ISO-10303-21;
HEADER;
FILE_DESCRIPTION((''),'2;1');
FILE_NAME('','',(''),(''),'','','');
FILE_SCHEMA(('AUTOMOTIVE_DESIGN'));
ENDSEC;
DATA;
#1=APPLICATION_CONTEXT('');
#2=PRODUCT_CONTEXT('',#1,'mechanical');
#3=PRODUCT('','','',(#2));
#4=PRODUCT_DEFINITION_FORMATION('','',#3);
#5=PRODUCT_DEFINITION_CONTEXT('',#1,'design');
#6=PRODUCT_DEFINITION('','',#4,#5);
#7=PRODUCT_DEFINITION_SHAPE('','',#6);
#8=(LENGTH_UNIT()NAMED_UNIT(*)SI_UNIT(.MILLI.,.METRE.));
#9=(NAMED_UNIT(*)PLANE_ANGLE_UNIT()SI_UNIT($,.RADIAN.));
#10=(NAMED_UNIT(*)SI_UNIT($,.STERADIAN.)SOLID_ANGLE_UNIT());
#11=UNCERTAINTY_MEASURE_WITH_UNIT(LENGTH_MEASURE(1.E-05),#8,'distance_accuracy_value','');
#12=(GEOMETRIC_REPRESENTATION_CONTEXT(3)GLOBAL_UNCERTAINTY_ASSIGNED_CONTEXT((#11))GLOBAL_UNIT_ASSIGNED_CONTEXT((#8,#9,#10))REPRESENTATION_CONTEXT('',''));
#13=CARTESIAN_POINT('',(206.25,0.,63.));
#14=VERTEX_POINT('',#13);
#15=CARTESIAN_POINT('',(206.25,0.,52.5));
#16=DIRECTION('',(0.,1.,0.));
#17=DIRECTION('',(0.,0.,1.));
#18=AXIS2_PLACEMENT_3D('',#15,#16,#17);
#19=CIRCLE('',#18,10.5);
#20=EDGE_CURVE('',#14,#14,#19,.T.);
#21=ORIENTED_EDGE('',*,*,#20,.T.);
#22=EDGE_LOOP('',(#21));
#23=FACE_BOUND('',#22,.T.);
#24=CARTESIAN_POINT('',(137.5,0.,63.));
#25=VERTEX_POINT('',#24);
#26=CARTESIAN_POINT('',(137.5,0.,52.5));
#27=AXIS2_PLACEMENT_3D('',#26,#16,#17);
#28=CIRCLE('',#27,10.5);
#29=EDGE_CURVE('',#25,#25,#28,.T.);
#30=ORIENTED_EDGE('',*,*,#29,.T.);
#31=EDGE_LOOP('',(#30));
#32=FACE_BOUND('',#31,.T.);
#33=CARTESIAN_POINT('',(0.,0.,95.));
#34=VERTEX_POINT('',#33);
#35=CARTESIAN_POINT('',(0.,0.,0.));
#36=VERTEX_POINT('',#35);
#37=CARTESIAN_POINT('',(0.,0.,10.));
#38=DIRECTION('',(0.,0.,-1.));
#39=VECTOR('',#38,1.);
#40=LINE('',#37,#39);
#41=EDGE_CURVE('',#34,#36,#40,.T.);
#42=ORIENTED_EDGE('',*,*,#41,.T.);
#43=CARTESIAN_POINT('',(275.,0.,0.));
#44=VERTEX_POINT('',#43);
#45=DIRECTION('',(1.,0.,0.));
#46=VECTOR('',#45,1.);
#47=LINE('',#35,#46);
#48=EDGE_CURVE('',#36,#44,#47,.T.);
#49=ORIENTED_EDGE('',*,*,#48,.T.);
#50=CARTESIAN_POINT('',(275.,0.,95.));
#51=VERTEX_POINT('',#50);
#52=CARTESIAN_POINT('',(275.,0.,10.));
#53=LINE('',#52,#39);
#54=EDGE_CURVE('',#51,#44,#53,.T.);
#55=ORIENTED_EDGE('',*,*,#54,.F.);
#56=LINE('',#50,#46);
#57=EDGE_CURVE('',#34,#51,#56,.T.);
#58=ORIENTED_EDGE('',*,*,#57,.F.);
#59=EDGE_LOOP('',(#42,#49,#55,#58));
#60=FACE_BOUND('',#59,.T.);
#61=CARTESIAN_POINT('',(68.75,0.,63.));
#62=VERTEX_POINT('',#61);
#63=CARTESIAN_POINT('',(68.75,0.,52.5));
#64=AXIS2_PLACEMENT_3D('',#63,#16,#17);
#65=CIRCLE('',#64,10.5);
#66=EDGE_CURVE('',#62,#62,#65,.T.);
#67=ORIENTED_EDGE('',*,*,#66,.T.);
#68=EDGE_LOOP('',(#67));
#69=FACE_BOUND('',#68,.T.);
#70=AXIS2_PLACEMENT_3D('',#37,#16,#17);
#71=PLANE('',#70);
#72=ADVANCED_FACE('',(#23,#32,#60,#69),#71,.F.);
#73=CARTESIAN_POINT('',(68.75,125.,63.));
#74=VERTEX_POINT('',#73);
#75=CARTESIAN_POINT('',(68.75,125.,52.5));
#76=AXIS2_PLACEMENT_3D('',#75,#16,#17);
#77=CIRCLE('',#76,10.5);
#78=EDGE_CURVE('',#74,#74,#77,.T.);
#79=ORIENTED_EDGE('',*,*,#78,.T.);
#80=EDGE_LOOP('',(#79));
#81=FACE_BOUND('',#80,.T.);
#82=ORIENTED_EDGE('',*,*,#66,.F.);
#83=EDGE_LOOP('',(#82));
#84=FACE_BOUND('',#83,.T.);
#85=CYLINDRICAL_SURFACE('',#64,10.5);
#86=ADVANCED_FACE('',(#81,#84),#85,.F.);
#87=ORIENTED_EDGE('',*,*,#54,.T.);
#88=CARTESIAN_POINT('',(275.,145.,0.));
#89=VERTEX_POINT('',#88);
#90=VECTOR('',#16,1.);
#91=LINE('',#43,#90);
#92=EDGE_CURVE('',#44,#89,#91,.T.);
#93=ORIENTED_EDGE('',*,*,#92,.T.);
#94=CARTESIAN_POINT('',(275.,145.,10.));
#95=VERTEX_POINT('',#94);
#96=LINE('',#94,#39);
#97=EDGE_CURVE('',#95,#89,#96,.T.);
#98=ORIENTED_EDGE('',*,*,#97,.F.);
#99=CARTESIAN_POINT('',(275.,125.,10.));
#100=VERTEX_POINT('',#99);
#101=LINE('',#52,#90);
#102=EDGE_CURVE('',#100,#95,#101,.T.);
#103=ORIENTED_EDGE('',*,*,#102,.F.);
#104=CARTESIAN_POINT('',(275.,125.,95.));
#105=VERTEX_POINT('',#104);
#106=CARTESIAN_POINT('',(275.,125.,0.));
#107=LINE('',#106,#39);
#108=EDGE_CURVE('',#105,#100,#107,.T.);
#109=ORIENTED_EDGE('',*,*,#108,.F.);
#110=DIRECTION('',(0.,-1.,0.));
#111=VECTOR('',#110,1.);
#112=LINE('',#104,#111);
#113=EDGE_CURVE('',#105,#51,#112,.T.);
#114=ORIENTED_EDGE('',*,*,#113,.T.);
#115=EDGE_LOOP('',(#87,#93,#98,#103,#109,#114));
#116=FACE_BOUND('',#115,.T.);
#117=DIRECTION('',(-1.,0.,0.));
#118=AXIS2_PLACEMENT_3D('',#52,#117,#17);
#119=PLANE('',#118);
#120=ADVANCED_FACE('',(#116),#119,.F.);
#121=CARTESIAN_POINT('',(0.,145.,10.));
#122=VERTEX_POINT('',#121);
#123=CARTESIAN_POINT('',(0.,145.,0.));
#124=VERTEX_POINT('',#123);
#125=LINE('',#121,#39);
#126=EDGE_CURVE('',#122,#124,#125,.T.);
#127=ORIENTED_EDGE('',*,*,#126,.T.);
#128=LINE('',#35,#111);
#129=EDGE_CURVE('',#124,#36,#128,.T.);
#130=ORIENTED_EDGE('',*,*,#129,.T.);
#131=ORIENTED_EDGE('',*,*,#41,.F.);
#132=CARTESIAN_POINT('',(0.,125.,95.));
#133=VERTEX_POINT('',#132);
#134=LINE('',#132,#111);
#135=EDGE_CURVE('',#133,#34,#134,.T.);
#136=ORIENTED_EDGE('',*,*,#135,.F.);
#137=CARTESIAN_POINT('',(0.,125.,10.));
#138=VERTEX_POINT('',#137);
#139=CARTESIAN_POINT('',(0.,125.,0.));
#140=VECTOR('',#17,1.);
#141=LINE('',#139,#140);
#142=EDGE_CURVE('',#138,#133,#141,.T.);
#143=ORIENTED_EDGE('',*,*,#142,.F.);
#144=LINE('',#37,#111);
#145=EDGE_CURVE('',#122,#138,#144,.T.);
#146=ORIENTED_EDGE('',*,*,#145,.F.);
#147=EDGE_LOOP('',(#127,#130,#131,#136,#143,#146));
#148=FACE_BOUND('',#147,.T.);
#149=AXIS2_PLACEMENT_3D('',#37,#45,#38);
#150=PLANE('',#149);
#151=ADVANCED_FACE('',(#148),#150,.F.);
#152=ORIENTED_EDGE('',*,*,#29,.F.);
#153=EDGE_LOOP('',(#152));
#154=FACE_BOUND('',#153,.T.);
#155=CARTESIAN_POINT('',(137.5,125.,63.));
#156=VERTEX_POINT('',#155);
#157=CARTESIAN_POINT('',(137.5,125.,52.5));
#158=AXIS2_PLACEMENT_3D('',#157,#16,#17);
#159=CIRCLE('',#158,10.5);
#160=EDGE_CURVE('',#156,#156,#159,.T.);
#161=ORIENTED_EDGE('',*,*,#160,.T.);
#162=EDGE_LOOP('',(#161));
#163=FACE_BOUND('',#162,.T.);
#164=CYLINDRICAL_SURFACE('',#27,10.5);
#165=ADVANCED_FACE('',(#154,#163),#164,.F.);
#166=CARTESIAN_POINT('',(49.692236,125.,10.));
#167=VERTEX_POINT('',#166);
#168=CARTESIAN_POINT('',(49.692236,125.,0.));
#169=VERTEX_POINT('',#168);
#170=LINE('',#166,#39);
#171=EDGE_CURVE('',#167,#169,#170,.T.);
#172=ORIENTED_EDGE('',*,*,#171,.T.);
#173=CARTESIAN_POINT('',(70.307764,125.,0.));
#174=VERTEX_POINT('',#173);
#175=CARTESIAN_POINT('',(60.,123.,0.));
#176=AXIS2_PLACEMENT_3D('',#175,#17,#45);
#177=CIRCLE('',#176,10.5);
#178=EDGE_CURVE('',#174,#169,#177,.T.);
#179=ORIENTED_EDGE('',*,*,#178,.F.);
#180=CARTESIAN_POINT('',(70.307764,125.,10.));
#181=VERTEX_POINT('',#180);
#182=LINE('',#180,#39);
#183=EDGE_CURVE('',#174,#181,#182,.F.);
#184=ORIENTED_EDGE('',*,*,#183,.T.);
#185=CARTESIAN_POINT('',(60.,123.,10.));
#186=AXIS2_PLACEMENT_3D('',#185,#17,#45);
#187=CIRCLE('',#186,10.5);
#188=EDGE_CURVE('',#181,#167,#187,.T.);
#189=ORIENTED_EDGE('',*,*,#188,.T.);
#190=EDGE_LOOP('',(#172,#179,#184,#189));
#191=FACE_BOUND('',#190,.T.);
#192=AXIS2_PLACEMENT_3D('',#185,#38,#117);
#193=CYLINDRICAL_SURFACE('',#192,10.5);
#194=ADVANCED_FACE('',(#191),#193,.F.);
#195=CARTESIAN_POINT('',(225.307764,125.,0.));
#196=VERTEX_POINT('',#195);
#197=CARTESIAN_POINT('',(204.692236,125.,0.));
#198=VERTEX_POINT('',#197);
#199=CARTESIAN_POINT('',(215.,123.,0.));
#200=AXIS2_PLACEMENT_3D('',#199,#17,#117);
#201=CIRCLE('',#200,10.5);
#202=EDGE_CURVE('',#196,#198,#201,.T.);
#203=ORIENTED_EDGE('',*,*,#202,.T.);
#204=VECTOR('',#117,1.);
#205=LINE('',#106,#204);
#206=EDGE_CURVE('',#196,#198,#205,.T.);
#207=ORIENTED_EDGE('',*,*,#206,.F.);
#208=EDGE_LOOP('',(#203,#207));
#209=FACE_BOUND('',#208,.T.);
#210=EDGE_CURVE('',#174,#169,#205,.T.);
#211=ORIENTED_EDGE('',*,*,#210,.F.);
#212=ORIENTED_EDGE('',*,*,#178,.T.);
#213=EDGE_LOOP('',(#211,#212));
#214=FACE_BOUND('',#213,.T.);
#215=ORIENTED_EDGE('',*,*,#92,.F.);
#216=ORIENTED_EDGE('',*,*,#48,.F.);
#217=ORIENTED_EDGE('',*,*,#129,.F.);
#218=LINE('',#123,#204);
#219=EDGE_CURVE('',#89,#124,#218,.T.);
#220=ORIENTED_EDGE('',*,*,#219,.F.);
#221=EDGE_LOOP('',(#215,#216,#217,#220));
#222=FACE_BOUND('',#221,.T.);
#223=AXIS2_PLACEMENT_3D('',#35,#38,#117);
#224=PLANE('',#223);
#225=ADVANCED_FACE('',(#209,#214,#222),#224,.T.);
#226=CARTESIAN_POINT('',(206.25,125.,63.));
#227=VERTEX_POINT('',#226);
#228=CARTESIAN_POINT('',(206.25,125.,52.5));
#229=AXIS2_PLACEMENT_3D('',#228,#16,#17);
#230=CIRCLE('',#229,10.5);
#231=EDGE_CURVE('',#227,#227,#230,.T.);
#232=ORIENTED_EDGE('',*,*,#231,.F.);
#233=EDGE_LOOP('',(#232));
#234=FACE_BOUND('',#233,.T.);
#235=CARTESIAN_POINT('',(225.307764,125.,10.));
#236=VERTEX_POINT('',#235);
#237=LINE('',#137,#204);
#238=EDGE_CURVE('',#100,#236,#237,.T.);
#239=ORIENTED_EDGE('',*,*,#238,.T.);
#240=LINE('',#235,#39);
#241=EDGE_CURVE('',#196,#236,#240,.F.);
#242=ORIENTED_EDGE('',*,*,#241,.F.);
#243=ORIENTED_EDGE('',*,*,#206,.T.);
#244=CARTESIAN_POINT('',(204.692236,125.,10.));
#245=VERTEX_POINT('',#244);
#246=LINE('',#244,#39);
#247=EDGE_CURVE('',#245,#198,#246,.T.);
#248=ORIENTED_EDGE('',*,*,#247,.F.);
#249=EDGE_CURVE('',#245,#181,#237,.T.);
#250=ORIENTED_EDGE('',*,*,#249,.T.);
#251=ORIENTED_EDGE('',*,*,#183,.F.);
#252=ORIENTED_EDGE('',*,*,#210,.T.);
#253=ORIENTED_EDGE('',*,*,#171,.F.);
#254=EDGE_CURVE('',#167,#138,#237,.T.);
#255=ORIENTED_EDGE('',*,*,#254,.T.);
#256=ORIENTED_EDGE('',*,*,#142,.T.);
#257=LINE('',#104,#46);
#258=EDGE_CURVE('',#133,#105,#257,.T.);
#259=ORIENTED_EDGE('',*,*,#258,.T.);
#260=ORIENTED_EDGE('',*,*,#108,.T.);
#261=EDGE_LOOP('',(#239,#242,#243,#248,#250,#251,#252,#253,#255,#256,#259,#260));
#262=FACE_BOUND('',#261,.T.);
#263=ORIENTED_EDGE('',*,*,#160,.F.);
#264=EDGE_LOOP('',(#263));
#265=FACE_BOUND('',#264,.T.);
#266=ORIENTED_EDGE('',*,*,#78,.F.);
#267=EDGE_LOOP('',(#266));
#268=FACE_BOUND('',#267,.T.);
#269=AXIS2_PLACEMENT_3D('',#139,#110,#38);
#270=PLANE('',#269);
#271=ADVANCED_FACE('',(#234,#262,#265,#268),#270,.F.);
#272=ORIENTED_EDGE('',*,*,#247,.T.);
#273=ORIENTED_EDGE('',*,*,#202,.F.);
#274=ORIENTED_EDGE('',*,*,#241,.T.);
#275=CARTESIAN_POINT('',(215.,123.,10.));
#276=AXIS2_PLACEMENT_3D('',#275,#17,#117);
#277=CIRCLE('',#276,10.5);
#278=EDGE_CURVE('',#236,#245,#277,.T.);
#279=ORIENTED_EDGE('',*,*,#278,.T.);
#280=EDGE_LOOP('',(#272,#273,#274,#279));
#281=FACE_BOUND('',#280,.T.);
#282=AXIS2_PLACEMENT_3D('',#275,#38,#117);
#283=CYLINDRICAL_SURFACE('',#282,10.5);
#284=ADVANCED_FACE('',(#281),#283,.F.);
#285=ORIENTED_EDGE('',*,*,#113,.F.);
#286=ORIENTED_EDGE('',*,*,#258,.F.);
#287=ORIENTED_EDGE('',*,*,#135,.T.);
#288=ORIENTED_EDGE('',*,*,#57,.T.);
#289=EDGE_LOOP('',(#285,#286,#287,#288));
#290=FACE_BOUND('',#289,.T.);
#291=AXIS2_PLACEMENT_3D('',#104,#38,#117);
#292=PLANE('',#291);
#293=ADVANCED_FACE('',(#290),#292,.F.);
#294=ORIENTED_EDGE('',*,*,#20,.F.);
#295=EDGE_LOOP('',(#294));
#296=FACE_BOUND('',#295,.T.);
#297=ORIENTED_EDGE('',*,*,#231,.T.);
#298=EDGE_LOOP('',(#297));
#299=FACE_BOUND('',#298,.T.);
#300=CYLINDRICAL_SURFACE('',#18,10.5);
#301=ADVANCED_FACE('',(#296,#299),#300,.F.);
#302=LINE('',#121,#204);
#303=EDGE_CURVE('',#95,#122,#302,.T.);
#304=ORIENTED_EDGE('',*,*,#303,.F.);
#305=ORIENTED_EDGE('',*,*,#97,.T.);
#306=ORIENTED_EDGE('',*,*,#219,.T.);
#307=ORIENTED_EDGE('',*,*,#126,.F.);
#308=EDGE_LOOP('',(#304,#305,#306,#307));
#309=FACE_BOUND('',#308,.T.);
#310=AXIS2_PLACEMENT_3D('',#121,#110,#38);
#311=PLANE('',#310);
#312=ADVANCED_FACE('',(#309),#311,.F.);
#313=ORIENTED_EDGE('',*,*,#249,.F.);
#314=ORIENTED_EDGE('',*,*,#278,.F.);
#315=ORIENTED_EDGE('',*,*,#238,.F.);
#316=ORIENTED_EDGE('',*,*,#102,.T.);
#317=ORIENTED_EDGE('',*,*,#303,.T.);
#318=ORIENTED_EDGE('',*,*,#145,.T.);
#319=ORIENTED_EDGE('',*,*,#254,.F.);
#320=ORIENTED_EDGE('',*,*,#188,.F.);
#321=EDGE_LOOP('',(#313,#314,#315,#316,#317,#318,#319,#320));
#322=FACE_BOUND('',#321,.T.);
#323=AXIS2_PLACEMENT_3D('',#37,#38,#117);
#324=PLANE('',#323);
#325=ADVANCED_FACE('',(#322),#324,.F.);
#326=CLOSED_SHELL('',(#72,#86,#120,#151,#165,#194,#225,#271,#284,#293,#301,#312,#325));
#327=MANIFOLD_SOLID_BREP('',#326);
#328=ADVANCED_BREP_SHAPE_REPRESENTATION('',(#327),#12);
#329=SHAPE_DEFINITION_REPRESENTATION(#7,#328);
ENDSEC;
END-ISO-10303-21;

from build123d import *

# Parameters (mm, degrees)
ESQUISSE1_W             = 275
ESQUISSE1_H             = 145
ESQUISSE1_R             = 10.5
ESQUISSE1_R_2           = 8
BOSS_EXTRU_1_DEPTH      = 10
ESQUISSE2_W             = 275
ESQUISSE2_H             = 95
BOSS_EXTRU_2_DEPTH      = 125
ESQUISSE4_R             = 10.5
ENL_V_MAT_EXTRU_1_DEPTH = 317.662280671


with BuildPart() as part:
    # Esquisse1 → Boss.-Extru.1 (new body)
    with BuildSketch(Plane.XY):
        with Locations((137.5, 72.5)):
            Rectangle(ESQUISSE1_W, ESQUISSE1_H)
        with Locations((60, 123)):
            Circle(ESQUISSE1_R, mode=Mode.SUBTRACT)
        with Locations((25, 85)):
            Circle(ESQUISSE1_R_2, mode=Mode.SUBTRACT)
        with Locations(Location((250, 85, 0), (0, 0, 180))):
            Circle(ESQUISSE1_R_2, mode=Mode.SUBTRACT)
        with Locations(Location((215, 123, 0), (0, 0, 180))):
            Circle(ESQUISSE1_R, mode=Mode.SUBTRACT)
    extrude(amount=BOSS_EXTRU_1_DEPTH)

    # Esquisse2 → Boss.-Extru.2 (add)
    with BuildSketch(Plane(origin=(0, 0, 0), x_dir=(1, 0, 0), z_dir=(0, 1, 0))):
        with Locations((137.5, -47.5)):
            Rectangle(ESQUISSE2_W, ESQUISSE2_H)
    extrude(amount=BOSS_EXTRU_2_DEPTH)

    # Esquisse4 → Enlèv. mat.-Extru.1 (cut, through all)
    with BuildSketch(Plane(origin=(0, 125, 0), x_dir=(1, 0, 0), z_dir=(0, 1, 0))):
        with Locations(Location((206.25, -52.5, 0), (0, 0, 270))):
            Circle(ESQUISSE4_R)
        with Locations(Location((137.5, -52.5, 0), (0, 0, 270))):
            Circle(ESQUISSE4_R)
        with Locations(Location((68.75, -52.5, 0), (0, 0, 270))):
            Circle(ESQUISSE4_R)
    extrude(amount=-ENL_V_MAT_EXTRU_1_DEPTH, mode=Mode.SUBTRACT)


solid = part.part
